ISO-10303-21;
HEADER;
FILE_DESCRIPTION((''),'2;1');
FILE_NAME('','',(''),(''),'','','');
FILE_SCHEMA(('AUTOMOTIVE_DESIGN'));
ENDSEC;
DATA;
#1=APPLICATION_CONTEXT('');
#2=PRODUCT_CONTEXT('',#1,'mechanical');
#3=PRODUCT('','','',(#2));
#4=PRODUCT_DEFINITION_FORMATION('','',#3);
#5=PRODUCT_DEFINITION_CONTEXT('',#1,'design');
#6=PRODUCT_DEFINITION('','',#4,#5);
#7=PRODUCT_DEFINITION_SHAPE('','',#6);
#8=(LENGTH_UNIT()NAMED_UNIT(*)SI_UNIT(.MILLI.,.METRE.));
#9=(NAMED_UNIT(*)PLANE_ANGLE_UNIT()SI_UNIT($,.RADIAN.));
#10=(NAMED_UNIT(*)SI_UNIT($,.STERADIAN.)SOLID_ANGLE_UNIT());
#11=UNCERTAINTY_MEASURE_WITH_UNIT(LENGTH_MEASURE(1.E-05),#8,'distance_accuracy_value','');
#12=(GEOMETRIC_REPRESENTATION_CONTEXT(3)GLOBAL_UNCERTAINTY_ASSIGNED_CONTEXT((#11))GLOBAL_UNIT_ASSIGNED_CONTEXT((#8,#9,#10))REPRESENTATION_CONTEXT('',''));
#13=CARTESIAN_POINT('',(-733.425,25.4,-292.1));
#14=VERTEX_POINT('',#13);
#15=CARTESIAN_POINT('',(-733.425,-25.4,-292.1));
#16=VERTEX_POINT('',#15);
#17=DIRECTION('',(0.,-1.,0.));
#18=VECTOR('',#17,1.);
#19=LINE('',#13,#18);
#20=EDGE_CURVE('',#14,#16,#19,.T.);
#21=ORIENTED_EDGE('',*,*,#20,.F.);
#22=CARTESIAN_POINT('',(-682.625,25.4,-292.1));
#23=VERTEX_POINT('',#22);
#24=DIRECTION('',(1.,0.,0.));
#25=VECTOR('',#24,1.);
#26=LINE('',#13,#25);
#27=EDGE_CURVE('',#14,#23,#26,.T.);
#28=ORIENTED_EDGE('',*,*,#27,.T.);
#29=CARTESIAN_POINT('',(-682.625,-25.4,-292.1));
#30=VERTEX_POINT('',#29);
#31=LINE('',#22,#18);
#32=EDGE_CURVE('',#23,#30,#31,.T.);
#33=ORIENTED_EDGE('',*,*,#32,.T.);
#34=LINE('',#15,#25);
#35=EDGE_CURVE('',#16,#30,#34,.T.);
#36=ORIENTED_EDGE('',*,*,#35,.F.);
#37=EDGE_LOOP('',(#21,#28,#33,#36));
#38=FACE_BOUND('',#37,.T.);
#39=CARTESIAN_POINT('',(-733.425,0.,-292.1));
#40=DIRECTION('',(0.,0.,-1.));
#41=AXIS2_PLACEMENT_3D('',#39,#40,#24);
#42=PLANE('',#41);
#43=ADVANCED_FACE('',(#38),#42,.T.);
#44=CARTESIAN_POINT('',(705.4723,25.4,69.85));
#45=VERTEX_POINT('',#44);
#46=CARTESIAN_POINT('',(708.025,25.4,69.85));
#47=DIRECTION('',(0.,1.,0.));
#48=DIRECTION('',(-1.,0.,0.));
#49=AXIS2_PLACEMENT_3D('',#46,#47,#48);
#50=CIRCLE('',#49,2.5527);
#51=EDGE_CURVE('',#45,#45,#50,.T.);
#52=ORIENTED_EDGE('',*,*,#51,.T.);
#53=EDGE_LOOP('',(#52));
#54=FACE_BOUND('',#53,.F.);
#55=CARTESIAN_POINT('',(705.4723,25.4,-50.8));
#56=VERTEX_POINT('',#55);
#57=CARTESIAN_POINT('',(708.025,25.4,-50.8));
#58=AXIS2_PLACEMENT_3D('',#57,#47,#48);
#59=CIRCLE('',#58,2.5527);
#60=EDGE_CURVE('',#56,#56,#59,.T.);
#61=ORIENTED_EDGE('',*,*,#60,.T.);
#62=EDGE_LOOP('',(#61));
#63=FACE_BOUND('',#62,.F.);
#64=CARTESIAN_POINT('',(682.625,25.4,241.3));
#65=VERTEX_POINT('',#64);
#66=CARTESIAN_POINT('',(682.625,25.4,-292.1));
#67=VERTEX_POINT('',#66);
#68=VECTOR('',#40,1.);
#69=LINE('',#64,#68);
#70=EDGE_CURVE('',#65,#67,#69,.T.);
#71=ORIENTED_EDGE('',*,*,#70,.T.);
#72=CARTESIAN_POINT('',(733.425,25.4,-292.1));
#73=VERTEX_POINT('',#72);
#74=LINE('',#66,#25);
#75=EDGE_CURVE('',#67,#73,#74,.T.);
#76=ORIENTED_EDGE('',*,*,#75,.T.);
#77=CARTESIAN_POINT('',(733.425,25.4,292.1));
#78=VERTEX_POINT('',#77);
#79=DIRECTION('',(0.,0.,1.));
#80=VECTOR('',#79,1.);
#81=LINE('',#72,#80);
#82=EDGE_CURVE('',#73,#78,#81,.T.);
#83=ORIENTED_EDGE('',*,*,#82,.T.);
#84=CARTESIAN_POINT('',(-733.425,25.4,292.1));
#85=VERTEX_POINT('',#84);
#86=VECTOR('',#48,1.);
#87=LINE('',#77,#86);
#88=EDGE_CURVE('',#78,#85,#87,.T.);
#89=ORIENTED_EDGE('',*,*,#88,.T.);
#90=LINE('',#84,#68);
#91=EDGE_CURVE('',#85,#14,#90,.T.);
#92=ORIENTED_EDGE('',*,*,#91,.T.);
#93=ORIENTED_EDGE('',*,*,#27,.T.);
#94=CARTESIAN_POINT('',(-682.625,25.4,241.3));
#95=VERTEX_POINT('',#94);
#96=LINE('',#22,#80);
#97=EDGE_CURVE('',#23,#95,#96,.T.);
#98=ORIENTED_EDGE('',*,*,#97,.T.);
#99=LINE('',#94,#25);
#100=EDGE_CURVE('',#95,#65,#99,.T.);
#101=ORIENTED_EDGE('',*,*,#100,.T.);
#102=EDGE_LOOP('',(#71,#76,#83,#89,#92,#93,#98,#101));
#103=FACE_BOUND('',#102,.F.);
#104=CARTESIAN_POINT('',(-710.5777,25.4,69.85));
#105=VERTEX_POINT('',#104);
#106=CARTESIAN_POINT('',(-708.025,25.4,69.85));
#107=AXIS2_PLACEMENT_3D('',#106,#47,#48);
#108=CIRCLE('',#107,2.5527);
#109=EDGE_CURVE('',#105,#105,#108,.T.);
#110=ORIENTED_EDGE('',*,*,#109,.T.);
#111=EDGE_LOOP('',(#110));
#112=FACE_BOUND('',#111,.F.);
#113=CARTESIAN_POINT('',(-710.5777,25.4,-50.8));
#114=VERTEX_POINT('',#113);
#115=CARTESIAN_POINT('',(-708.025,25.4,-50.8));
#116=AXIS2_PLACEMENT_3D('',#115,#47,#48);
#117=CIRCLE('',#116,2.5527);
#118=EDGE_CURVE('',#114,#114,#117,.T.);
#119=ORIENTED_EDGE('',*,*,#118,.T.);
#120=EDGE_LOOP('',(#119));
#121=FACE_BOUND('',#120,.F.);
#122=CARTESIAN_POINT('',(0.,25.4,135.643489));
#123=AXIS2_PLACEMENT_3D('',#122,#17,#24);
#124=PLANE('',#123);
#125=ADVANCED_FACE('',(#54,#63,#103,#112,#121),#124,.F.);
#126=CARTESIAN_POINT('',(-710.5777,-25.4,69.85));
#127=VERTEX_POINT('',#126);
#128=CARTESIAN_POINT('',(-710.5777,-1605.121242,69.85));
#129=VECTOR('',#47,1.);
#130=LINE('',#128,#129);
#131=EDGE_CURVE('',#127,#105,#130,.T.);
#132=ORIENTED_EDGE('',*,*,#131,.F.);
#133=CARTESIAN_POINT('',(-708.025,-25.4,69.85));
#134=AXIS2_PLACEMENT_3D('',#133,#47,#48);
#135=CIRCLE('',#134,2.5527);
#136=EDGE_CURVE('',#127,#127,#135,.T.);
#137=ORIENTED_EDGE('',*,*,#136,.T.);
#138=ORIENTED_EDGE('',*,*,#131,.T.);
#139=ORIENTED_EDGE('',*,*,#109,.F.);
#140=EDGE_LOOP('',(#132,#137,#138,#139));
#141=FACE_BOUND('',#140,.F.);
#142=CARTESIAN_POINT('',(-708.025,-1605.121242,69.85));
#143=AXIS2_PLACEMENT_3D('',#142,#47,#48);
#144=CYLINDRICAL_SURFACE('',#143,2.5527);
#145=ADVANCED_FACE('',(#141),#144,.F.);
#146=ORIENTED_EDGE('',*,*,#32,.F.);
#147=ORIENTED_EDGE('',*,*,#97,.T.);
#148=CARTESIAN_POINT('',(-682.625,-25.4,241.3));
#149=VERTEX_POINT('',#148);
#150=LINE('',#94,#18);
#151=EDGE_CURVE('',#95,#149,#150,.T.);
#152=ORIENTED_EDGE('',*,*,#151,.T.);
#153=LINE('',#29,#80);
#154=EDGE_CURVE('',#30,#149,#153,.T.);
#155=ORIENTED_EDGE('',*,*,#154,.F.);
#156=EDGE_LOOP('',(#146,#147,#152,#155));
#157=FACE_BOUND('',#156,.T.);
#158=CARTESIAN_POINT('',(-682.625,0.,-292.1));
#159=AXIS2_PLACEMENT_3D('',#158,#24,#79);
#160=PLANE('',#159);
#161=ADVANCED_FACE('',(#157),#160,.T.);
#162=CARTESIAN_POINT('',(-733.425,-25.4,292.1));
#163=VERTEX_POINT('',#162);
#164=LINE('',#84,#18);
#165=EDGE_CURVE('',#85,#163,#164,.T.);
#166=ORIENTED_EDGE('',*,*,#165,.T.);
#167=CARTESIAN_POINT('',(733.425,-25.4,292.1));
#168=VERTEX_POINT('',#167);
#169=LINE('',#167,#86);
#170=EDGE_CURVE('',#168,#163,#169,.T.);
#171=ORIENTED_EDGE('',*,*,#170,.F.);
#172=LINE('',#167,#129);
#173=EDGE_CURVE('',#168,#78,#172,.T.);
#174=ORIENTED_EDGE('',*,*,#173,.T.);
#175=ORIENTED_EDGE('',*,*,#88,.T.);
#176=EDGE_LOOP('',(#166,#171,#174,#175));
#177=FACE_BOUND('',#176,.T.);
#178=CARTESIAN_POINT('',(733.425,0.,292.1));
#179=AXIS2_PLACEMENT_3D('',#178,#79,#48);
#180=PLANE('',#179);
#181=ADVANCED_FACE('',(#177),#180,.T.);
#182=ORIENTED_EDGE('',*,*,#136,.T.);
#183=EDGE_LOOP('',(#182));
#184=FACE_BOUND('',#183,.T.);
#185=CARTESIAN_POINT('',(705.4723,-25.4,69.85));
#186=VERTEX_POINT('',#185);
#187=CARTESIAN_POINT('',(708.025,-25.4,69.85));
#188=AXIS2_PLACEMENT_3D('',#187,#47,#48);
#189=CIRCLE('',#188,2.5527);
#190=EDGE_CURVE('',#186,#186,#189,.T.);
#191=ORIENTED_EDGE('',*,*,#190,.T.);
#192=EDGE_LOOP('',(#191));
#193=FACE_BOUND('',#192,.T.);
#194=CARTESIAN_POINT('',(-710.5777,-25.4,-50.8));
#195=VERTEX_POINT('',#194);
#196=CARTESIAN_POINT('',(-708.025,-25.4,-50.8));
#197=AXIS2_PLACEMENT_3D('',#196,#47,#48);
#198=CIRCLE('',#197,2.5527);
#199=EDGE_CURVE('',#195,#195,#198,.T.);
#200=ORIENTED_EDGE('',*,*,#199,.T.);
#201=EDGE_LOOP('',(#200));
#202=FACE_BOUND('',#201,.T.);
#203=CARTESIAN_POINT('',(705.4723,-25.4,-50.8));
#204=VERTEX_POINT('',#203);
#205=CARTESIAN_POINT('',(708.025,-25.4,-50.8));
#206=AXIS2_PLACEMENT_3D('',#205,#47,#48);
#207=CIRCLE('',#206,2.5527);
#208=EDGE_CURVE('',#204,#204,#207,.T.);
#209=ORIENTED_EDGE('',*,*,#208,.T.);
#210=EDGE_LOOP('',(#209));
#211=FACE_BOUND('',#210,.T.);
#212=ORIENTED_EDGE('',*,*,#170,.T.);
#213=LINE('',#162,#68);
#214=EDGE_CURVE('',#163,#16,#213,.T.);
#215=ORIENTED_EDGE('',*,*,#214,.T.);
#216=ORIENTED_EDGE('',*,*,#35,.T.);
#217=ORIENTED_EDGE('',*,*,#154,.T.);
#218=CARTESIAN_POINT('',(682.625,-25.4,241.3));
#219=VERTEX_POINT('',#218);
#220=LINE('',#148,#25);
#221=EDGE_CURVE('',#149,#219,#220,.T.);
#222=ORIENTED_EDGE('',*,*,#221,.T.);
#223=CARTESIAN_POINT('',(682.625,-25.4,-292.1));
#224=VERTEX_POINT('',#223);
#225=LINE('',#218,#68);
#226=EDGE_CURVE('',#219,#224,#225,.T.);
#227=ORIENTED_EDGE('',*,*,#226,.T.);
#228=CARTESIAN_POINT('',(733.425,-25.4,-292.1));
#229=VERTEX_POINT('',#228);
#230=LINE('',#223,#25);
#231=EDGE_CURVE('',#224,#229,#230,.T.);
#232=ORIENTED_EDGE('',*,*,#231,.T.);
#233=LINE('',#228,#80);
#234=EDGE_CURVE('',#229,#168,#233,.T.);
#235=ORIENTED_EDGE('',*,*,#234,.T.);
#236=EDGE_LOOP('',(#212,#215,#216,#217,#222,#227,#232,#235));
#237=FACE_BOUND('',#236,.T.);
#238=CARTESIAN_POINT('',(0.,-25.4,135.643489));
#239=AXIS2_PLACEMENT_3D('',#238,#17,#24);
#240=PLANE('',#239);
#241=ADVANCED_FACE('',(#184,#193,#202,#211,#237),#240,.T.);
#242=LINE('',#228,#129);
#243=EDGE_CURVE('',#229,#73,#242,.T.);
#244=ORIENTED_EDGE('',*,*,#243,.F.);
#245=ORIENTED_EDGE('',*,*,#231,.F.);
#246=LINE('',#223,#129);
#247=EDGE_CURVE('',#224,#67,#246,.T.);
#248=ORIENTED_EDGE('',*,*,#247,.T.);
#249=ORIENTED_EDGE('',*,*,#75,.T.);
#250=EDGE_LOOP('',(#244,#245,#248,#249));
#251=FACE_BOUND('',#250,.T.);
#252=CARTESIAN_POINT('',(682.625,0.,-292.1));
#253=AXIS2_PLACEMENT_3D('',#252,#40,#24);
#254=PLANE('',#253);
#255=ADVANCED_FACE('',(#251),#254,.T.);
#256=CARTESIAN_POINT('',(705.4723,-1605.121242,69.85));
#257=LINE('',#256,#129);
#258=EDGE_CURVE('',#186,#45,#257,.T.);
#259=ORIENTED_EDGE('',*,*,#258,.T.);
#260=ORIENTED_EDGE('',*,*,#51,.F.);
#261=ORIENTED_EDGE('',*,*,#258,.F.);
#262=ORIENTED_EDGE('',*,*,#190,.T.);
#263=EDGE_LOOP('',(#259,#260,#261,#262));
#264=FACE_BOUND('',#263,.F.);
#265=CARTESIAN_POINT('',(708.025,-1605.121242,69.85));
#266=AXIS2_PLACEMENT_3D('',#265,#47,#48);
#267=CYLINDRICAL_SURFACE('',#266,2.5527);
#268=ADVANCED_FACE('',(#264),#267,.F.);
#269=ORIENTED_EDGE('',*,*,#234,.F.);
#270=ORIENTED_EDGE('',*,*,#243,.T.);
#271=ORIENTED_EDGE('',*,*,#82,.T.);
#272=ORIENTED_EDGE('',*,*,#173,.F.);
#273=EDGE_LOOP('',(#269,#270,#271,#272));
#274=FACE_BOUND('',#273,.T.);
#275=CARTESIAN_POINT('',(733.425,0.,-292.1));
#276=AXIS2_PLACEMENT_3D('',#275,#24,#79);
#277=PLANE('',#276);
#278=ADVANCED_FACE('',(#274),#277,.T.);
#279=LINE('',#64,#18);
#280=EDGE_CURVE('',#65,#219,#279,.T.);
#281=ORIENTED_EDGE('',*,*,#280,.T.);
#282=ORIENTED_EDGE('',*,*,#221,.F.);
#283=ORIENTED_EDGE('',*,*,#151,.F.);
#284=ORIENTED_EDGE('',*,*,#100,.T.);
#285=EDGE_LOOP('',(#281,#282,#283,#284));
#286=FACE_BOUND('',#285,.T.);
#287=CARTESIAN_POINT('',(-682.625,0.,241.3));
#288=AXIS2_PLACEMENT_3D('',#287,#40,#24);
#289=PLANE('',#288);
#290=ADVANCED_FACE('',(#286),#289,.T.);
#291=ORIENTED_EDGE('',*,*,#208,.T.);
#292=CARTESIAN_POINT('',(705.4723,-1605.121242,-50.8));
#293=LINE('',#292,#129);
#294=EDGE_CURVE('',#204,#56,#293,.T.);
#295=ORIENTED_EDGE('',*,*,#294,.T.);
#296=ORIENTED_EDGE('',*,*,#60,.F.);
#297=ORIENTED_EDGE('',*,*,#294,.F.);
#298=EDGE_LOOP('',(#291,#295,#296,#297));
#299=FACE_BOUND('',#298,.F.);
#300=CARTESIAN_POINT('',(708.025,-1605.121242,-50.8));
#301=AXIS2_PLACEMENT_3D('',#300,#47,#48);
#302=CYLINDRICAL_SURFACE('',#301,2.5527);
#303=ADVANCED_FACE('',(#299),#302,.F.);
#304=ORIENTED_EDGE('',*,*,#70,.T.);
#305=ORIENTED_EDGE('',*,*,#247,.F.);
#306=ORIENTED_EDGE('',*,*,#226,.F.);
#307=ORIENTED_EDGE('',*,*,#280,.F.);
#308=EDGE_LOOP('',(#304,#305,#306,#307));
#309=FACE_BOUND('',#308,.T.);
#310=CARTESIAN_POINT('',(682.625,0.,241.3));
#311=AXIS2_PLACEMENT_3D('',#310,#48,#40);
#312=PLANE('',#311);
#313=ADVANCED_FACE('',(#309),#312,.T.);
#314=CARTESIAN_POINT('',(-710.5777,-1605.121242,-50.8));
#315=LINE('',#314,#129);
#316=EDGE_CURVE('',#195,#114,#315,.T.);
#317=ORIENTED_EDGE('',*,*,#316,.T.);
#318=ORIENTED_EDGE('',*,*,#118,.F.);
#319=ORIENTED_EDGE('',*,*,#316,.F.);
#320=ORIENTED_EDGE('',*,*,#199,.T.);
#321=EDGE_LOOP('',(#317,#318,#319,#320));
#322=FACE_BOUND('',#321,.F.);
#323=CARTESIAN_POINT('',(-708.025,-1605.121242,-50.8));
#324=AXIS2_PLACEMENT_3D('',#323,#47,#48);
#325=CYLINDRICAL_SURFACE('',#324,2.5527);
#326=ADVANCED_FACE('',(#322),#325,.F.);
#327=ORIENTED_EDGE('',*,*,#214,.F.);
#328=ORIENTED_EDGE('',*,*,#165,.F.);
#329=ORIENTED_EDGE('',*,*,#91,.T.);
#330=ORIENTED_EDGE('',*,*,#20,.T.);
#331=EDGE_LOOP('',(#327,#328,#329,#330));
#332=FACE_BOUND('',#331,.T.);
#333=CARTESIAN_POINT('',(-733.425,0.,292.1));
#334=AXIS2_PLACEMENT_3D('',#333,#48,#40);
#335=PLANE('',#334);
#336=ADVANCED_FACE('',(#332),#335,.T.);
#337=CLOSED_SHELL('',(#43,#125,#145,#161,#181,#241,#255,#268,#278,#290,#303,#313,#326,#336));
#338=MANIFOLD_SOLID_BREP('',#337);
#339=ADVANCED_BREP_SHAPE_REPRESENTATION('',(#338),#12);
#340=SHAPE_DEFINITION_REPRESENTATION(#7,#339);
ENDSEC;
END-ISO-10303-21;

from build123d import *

# Parameters (mm, degrees)
F1_DEPTH      = 25.4
F1_DEPTH_BACK = 25.4
F3_D          = 5.1054


with BuildPart() as f1:
    # F0 (on Front) → F1 (new body, two sides)
    with BuildSketch(Plane.XZ) as f1_sk:
        Polygon((733.425, 292.1), (-733.425, 292.1), (-733.425, -292.1), (-682.625, -292.1), (-682.625, 241.3), (682.625, 241.3), (682.625, -292.1), (733.425, -292.1), align=None)
    extrude(amount=F1_DEPTH)
    extrude(f1_sk.sketch, amount=-F1_DEPTH_BACK)

    # F3 (through all)
    with Locations(Plane.XZ.offset(25.4)):
        with Locations((-708.025, -50.8), (708.025, -50.8), (708.025, 69.85), (-708.025, 69.85)):
            Hole(F3_D / 2)


solid = f1.part
